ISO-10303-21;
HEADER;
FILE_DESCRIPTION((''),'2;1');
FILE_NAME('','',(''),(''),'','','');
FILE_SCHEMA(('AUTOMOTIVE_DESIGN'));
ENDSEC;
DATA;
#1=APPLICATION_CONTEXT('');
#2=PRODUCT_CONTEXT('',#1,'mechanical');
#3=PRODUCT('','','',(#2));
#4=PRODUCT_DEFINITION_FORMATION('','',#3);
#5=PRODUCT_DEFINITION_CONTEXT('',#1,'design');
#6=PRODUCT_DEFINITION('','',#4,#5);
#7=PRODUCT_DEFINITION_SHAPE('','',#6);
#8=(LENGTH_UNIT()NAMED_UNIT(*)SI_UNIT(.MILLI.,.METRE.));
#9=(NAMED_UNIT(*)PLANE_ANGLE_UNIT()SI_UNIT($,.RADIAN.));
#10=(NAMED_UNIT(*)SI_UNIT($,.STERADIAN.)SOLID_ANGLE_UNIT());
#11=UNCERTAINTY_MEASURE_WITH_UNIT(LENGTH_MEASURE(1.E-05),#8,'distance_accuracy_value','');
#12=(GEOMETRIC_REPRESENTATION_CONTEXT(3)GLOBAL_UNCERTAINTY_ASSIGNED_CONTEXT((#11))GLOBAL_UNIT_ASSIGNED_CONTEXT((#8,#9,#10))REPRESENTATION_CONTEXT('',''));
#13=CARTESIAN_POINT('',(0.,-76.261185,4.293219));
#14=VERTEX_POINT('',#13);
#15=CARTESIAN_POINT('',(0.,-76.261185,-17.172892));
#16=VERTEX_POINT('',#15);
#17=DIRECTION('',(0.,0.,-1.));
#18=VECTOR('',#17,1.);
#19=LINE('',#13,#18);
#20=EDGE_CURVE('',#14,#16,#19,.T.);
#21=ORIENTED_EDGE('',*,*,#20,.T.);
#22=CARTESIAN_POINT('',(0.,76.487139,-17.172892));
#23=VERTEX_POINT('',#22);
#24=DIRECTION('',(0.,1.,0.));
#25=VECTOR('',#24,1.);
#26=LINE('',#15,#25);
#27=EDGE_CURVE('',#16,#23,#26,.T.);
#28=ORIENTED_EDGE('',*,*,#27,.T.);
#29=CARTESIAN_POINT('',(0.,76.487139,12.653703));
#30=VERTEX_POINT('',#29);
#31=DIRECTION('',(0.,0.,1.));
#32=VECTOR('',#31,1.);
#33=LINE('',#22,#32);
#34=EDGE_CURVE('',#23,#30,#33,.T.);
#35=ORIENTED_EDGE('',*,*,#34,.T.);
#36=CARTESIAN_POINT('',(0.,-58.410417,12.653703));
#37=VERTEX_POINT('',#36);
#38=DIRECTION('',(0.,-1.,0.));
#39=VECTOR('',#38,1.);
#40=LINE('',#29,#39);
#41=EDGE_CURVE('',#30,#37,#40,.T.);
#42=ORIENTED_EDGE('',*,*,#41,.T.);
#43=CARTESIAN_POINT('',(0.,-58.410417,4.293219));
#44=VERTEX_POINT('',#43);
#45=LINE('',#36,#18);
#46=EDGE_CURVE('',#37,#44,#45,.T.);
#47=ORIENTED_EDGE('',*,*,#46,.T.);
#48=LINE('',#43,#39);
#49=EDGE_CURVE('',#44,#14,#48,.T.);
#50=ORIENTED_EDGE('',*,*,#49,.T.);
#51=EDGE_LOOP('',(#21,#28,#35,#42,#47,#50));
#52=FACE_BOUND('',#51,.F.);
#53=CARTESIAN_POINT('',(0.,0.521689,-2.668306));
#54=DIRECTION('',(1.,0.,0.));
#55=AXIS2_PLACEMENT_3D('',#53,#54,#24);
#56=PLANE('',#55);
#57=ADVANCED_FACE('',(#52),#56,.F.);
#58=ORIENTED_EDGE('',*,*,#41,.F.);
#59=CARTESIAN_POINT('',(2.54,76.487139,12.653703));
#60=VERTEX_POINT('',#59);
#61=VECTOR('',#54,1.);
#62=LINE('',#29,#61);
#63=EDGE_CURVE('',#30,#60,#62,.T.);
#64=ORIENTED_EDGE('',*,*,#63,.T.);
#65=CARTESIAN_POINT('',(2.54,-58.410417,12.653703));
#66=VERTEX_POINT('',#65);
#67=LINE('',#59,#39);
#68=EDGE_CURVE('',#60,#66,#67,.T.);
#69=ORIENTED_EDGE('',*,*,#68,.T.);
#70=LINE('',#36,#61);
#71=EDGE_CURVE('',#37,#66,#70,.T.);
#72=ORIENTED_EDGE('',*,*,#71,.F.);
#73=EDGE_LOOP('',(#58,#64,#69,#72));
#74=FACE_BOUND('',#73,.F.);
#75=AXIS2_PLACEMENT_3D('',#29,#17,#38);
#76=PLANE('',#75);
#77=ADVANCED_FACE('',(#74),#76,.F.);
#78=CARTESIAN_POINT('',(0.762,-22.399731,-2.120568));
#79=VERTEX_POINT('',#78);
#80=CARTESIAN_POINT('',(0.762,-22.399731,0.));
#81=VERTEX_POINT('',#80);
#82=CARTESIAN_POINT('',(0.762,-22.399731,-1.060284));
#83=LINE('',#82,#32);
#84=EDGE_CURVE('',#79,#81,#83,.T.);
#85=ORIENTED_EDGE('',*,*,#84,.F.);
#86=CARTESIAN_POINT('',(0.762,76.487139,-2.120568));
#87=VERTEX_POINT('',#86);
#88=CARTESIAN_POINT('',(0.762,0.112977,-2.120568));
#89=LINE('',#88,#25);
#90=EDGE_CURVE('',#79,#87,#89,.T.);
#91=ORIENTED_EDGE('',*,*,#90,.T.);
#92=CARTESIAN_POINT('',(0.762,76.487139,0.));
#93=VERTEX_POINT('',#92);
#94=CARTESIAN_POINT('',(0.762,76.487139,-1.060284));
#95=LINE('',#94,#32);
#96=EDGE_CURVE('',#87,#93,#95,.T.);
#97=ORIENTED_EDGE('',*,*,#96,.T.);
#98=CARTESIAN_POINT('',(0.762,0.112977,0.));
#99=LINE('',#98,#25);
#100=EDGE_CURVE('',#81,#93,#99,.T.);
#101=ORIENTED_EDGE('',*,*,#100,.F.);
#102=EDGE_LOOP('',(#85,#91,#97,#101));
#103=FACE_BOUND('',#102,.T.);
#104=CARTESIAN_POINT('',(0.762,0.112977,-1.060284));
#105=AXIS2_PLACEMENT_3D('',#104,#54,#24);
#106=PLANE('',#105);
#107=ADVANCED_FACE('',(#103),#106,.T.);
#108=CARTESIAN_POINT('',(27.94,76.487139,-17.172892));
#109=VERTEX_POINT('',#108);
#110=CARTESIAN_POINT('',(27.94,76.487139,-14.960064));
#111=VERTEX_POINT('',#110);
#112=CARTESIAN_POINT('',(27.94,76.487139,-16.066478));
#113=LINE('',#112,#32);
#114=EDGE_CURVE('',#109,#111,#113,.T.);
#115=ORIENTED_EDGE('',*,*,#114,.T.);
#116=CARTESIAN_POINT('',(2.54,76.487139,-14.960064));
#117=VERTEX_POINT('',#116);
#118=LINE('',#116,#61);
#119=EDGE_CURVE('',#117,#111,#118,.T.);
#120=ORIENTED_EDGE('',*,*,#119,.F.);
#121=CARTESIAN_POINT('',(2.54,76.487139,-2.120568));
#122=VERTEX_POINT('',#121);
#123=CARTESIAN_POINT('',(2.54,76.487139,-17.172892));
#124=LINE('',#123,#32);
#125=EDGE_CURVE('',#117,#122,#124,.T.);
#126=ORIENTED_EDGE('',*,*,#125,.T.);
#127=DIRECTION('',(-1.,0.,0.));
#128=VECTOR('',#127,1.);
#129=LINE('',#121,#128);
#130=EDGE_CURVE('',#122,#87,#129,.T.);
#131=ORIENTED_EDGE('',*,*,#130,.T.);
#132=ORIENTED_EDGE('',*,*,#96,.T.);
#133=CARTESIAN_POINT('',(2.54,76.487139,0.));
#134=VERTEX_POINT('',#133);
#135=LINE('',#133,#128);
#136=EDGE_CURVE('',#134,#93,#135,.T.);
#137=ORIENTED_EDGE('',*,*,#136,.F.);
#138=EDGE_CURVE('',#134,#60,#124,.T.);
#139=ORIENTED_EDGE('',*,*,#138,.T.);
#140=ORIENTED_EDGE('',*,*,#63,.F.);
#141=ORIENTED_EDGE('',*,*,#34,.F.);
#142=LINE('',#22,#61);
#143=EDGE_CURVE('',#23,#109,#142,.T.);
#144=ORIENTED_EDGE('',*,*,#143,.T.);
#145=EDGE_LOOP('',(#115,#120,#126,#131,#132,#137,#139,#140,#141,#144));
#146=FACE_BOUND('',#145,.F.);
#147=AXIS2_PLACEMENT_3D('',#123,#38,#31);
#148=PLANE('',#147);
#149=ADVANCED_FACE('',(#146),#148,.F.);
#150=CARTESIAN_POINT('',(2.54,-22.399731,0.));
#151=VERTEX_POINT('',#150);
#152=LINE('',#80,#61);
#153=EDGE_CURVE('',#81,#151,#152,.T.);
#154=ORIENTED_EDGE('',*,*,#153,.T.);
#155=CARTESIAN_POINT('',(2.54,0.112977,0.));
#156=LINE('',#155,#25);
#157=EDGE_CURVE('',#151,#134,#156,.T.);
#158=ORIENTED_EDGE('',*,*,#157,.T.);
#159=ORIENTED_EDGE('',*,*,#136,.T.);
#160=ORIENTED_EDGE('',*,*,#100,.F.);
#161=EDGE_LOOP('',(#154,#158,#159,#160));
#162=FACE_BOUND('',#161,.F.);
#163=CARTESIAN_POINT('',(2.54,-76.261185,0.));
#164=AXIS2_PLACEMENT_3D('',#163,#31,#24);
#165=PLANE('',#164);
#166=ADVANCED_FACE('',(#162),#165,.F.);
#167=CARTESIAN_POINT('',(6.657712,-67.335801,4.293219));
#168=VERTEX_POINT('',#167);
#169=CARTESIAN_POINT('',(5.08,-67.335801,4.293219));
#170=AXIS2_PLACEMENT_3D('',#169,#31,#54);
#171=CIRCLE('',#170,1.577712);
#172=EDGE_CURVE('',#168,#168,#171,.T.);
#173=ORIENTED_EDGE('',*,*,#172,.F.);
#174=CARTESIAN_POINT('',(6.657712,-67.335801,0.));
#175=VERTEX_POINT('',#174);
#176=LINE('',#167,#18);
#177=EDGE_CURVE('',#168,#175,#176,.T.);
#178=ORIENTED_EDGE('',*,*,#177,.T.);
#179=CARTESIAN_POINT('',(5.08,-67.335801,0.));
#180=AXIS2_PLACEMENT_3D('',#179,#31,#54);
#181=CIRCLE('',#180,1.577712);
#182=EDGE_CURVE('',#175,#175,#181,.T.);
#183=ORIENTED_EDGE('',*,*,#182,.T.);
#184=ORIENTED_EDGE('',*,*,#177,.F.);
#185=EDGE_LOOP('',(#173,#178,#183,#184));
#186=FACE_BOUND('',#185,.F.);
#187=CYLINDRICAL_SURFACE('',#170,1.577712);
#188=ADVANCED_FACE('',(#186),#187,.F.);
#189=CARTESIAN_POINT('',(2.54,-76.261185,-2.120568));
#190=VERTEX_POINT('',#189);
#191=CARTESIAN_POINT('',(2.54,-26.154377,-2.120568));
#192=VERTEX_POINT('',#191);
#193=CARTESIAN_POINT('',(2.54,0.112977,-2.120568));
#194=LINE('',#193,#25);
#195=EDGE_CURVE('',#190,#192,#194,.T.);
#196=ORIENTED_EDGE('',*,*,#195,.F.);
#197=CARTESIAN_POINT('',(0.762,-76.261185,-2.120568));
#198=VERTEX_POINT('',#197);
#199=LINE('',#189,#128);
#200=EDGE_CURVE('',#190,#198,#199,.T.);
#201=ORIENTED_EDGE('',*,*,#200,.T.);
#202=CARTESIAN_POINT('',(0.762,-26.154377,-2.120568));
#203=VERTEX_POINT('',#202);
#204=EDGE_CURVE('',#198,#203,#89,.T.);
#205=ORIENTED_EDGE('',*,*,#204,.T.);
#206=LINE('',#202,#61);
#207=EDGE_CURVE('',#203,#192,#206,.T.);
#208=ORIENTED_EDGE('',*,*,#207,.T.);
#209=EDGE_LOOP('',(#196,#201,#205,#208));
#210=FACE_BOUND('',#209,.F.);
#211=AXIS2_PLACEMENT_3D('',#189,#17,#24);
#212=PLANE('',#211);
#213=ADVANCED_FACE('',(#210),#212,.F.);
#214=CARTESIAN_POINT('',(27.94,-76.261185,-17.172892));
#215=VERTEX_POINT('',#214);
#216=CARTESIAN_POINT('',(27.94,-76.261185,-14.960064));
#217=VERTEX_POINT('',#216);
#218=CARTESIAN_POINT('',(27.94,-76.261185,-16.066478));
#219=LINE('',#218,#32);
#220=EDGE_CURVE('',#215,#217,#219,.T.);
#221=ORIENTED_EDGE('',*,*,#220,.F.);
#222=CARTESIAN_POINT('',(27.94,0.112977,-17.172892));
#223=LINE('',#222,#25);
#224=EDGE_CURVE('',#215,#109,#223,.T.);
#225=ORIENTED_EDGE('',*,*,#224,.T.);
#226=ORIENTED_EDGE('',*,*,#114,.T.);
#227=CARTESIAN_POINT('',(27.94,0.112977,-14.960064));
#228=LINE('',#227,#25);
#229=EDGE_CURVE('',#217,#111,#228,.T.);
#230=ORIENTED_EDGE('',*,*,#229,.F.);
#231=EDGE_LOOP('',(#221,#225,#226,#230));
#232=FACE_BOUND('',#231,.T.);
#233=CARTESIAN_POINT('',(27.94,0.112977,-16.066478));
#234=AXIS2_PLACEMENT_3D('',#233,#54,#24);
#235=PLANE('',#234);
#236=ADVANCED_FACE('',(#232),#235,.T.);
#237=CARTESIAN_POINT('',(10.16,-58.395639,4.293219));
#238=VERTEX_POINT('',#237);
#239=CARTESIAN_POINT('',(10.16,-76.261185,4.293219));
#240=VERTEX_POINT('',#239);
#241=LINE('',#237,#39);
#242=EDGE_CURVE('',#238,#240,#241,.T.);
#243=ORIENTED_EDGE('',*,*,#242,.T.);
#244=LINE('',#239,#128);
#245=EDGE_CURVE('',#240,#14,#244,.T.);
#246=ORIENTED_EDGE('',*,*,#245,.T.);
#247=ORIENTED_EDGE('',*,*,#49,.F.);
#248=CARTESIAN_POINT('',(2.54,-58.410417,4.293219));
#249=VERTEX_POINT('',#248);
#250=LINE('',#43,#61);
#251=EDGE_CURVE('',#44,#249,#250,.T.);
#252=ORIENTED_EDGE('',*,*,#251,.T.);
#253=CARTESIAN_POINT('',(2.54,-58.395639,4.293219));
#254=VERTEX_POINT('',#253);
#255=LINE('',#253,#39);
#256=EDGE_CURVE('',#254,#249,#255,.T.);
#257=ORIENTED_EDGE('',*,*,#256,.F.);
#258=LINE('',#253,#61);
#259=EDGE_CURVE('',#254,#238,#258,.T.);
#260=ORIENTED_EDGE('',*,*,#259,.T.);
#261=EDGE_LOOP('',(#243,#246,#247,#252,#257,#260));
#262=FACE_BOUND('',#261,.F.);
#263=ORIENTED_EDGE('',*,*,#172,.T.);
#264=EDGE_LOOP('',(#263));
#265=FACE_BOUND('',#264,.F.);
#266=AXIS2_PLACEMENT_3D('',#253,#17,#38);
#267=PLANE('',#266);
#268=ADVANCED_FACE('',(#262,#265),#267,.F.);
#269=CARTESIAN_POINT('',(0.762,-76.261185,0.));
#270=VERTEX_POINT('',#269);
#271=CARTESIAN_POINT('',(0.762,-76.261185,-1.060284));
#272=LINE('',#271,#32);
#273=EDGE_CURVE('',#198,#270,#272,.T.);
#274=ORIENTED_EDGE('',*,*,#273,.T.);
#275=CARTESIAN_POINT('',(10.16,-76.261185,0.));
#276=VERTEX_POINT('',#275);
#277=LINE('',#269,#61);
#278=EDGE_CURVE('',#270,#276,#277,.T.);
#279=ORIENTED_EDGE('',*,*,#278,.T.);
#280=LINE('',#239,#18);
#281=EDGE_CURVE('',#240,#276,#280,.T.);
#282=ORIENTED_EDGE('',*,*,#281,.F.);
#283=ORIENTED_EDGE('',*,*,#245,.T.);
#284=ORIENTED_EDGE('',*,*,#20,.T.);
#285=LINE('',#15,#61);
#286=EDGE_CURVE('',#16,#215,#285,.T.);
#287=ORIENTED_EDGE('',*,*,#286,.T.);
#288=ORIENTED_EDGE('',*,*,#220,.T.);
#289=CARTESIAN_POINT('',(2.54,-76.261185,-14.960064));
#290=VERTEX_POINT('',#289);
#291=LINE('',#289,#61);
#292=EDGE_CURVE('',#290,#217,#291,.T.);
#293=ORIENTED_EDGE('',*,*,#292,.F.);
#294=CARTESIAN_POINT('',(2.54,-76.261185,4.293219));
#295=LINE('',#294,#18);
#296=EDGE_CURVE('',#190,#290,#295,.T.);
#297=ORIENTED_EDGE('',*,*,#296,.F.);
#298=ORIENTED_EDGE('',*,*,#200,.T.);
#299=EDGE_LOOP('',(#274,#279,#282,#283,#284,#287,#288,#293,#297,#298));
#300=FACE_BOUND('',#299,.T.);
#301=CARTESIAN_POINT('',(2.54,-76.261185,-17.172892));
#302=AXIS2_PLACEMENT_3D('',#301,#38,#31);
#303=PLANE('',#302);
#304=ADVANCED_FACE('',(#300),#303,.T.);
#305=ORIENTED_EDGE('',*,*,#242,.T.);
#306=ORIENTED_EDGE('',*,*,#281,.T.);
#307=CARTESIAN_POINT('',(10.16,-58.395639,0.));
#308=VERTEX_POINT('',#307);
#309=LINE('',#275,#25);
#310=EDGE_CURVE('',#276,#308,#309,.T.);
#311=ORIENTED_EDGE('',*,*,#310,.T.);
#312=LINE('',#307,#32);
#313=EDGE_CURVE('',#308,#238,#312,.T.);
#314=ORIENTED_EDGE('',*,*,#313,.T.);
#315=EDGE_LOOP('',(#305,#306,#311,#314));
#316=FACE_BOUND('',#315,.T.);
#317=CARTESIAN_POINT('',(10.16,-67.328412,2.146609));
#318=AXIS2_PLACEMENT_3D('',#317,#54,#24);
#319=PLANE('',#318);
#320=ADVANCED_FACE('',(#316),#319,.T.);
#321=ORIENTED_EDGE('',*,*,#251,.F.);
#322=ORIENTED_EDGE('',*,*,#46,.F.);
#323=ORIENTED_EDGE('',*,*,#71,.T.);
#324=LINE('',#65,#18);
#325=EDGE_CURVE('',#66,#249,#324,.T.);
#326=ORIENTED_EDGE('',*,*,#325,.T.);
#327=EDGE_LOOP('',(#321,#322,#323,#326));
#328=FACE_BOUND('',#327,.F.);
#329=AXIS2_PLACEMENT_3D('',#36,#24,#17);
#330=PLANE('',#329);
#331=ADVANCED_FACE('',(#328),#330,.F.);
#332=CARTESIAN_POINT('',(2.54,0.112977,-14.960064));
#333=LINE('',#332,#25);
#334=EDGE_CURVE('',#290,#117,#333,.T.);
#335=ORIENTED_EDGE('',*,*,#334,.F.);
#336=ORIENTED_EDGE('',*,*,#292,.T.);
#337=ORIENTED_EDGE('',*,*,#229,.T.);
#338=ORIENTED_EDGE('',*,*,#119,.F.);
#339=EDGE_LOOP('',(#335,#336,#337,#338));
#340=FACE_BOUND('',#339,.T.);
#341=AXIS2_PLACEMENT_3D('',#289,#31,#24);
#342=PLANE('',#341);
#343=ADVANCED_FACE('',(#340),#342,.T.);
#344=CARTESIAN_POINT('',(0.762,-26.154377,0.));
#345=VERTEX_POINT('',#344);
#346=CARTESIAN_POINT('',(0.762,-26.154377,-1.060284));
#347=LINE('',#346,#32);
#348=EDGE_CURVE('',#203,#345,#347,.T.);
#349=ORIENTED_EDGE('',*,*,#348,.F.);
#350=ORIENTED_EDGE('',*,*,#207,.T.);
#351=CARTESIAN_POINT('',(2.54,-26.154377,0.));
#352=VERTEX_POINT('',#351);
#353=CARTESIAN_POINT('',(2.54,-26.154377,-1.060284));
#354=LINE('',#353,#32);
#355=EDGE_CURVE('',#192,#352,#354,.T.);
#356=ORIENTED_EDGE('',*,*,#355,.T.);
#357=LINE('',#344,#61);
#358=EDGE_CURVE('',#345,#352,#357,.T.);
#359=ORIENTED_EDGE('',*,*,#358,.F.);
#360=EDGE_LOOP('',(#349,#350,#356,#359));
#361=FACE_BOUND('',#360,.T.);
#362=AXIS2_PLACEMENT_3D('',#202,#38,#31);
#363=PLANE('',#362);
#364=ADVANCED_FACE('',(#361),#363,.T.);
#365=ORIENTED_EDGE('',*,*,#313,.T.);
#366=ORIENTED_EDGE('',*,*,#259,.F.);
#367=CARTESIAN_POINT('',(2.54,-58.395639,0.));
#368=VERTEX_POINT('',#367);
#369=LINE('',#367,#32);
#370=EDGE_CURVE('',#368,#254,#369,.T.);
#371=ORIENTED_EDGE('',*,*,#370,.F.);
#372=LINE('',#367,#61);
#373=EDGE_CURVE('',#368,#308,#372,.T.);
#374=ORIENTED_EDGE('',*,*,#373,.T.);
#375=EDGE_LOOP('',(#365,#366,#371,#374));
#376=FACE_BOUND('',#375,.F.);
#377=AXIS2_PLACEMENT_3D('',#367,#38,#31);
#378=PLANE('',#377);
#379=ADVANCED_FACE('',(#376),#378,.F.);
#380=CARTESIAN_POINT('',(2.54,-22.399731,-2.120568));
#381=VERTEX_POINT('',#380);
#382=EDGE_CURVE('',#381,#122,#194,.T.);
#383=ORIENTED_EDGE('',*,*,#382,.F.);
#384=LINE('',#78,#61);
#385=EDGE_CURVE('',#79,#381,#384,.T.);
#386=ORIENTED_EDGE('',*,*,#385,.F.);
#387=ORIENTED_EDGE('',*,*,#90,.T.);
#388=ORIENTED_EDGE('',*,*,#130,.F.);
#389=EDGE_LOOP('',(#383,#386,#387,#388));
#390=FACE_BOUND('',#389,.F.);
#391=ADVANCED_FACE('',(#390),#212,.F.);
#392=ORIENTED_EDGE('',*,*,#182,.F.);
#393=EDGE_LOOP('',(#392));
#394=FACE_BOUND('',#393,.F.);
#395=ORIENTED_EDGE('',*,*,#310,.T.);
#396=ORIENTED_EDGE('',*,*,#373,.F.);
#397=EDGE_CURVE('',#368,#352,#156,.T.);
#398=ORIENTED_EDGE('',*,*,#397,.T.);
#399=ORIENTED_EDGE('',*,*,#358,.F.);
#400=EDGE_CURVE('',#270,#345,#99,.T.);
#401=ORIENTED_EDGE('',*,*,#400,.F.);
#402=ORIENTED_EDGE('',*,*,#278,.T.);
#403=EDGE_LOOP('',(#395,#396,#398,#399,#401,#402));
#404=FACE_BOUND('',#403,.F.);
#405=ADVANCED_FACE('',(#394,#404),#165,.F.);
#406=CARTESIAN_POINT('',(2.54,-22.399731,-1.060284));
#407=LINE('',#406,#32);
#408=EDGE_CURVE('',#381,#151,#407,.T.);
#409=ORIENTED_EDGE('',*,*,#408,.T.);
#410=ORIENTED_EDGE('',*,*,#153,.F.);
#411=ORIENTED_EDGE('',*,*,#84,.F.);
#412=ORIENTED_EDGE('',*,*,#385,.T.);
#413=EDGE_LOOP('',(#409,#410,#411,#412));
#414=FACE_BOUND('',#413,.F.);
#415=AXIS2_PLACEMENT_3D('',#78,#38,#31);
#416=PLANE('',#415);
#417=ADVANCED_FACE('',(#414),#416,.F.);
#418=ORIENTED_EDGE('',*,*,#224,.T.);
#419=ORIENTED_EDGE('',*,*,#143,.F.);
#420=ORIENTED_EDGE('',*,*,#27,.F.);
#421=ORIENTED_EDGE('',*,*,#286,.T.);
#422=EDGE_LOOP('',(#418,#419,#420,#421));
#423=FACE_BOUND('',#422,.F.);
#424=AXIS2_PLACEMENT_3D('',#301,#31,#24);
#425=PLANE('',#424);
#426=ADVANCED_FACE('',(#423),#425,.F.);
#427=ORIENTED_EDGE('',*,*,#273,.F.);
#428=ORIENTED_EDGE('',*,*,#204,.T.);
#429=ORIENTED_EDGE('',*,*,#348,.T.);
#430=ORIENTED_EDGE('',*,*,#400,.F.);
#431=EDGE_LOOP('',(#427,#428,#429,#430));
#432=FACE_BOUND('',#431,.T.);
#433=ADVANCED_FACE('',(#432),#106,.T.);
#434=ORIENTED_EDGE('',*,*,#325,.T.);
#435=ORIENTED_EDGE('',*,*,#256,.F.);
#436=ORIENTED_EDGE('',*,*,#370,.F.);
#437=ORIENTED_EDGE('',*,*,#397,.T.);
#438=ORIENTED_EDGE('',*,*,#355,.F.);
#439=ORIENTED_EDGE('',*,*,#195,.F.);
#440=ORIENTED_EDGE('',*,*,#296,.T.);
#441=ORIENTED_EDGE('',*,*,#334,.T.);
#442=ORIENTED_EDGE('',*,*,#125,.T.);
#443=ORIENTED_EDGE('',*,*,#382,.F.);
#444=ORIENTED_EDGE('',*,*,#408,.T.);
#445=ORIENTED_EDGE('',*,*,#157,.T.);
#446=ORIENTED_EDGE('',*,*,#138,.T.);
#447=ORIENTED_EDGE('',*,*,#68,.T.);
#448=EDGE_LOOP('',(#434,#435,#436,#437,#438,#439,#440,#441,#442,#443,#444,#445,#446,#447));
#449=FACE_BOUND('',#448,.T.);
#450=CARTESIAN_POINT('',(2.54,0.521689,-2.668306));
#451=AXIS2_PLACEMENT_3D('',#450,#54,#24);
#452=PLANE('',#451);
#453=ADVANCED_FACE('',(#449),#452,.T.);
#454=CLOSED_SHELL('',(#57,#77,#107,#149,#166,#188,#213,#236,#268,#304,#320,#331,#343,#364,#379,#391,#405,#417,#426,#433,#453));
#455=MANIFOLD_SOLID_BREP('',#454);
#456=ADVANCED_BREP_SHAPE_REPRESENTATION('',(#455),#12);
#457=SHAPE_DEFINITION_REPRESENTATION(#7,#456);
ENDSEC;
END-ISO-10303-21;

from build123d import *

# Parameters (mm, degrees)
F1_DEPTH  = 2.54
F3_DEPTH  = 7.62
F4_W      = 152.748324
F4_H      = 2.212828
F5_DEPTH  = 25.4
F6_R      = 1.577712
F7_DEPTH  = 4.293219
F8_W      = 152.748324
F8_H      = 2.120568
F9_DEPTH  = 1.778
F10_W     = 3.754646
F10_H     = 2.120568
F11_DEPTH = 1.778


with BuildPart() as f1:
    # F0 (on Right) → F1 (new body)
    with BuildSketch(Plane.YZ):
        Polygon((76.487139, 12.653703), (-58.410417, 12.653703), (-58.410417, 4.293219), (-76.261185, 4.293219), (-76.261185, -17.172892), (76.487139, -17.172892), align=None)
    extrude(amount=F1_DEPTH)

    # F2 (on face) → F3 (join)
    with BuildSketch(Plane.YZ.offset(2.54)):
        Polygon((-58.410417, 4.293219), (-76.261185, 4.293219), (-76.261185, 0), (-58.395639, 0), (-58.395639, 4.293219), align=None)
    extrude(amount=F3_DEPTH)

    # F4 (on face) → F5 (join)
    with BuildSketch(Plane.YZ.offset(2.54)):
        with Locations((0.112977, -16.066478)):
            Rectangle(F4_W, F4_H)
    extrude(amount=F5_DEPTH)

    # F6 (on face) → F7 (cut, through all)
    with BuildSketch(Plane.XY.offset(4.293219)):
        with Locations((5.08, -67.335801)):
            Circle(F6_R)
    extrude(amount=-F7_DEPTH, mode=Mode.SUBTRACT)

    # F8 (on face) → F9 (cut)
    with BuildSketch(Plane.YZ.offset(2.54)):
        with Locations((0.112977, -1.060284)):
            Rectangle(F8_W, F8_H)
    extrude(amount=-F9_DEPTH, mode=Mode.SUBTRACT)

    # F10 (on face) → F11 (join)
    with BuildSketch(Plane.YZ.offset(0.762)):
        with Locations((-24.277054, -1.060284)):
            Rectangle(F10_W, F10_H)
    extrude(amount=F11_DEPTH)


solid = f1.part
